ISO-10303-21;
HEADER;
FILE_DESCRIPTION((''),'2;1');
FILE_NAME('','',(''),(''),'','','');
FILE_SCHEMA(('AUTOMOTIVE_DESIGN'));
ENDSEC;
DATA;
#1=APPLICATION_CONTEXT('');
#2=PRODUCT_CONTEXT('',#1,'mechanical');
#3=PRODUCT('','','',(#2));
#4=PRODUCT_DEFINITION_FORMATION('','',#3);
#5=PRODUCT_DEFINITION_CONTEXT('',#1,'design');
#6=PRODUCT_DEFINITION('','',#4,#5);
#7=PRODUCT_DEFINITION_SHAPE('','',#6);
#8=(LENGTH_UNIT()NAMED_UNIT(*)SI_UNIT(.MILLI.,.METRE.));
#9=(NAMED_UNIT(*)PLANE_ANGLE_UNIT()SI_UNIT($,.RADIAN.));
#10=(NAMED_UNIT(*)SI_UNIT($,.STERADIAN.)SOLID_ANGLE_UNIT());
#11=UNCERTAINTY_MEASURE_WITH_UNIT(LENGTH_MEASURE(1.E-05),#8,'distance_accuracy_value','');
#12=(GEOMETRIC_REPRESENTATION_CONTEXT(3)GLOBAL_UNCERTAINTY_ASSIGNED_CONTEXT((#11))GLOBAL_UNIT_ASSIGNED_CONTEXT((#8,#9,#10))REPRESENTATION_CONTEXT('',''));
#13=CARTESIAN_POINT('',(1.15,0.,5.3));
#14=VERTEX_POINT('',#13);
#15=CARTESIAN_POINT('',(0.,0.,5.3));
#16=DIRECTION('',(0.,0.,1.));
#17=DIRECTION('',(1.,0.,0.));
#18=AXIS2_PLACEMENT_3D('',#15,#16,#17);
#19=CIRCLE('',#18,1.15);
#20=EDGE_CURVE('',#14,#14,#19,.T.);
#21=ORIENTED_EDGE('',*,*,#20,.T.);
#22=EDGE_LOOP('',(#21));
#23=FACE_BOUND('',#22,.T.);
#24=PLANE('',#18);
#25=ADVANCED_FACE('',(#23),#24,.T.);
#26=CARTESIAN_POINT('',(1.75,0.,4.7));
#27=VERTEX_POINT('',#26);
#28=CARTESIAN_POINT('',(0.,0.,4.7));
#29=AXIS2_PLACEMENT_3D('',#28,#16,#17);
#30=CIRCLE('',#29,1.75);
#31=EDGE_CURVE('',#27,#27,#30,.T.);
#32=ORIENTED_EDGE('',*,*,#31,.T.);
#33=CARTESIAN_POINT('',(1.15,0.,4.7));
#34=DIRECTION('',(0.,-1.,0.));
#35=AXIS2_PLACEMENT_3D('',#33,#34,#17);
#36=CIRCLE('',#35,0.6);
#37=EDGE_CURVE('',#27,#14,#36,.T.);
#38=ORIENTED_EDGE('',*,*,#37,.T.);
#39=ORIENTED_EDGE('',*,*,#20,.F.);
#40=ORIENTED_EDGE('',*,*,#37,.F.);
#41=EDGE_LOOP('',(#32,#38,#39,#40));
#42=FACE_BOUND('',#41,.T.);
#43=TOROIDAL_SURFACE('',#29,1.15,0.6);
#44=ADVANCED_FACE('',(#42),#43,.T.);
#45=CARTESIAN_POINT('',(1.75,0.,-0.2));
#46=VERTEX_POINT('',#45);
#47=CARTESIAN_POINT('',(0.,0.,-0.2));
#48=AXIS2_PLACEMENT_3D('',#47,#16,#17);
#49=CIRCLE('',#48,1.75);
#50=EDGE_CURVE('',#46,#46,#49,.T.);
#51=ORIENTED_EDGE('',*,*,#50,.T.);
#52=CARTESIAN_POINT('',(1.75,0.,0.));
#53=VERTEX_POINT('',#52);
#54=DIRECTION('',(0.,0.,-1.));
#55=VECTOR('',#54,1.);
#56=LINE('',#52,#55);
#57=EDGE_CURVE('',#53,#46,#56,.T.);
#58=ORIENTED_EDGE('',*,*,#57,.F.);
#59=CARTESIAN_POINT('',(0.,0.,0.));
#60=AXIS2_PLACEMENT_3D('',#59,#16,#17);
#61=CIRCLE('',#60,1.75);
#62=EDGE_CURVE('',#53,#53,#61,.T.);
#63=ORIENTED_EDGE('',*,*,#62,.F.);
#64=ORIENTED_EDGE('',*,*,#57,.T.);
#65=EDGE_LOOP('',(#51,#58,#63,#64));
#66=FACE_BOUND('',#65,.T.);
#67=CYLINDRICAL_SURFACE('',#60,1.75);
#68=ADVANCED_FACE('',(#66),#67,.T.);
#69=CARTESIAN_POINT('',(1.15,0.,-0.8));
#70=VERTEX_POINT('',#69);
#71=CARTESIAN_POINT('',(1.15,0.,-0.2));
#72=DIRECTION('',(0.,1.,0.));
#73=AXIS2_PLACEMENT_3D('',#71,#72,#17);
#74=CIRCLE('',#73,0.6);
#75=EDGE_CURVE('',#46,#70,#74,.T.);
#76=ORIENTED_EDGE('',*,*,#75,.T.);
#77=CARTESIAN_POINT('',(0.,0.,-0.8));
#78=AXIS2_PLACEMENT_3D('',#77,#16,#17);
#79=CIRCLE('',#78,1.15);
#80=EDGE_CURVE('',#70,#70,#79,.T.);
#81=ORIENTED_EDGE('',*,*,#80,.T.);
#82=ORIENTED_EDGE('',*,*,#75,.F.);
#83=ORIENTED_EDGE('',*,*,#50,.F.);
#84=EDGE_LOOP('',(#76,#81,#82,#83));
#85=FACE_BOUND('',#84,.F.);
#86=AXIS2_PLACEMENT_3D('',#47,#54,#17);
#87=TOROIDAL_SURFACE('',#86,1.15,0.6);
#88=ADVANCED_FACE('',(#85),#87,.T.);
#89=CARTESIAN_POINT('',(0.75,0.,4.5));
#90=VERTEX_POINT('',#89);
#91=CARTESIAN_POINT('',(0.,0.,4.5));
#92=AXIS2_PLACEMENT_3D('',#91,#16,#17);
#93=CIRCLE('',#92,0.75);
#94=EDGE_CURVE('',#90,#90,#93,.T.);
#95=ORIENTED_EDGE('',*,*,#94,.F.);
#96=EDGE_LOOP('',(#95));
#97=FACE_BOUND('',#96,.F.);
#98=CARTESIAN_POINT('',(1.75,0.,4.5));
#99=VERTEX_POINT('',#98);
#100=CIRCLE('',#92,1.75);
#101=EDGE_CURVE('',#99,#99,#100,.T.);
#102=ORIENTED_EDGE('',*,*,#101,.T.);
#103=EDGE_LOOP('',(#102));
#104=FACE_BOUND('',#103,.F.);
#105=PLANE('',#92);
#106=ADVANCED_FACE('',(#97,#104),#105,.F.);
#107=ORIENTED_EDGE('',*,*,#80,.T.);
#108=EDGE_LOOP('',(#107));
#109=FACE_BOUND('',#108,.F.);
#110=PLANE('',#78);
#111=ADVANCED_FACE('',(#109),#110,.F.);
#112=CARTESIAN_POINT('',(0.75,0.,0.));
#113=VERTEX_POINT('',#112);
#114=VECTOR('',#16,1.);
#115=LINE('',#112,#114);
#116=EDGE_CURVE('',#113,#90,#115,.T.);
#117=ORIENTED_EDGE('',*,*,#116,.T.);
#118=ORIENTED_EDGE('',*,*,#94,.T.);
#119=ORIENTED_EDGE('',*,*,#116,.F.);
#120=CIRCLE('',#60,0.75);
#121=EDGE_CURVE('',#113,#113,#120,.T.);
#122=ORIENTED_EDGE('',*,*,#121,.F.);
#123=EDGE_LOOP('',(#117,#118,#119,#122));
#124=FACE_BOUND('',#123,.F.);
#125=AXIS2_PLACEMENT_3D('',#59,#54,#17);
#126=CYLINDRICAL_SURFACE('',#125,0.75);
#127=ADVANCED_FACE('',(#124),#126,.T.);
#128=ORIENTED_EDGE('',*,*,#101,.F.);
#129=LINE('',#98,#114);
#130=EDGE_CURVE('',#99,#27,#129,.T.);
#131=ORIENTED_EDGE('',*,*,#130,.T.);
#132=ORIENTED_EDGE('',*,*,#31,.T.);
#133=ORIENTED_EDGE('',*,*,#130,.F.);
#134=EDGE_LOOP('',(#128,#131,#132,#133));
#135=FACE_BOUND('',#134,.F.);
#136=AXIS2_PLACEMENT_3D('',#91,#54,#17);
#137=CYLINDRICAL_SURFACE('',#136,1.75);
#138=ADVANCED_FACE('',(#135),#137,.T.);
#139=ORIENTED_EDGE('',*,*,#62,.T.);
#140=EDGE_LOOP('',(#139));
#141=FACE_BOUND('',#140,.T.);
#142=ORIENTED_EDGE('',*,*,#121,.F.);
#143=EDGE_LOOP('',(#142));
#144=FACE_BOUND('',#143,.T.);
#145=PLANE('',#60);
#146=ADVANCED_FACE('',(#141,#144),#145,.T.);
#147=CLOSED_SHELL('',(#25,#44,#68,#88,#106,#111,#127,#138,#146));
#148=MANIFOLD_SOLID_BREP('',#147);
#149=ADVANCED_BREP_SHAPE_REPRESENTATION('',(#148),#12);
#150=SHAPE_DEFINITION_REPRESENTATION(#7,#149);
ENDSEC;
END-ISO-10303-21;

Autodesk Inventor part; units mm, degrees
ref_plane "YZ Plane" through (0, 0, 0) normal (1, 0, 0) x (0, 1, 0)
ref_plane "XZ Plane" through (0, 0, 0) normal (0, 1, 0) x (-1, 0, 0)
ref_plane "XY Plane" through (0, 0, 0) normal (0, 0, 1) x (1, 0, 0)
sketch "Sketch1" plane through (0, 0, 0) normal (0, 0, 1) x (1, 0, 0)
  circle A0 centre (0, 0) radius 0.75
  circle A1 centre (0, 0) radius 1.75
  dimension "d0" = 1.5
  dimension "d3" = 1
extrude "Extrusion1" add sketch "Sketch1" along normal blind 4.5 contours A0
extrude "Extrusion2" add sketch "Sketch1" against normal blind 0.8 contours A0 | A1
sketch "Sketch2" plane through (0, 0, 4.5) normal (0, 0, 1) x (1, 0, 0)
  circle A0 centre (0, 0) radius 1.75 projected
  circle A1 centre (0, 0) radius 0.75 projected
extrude "Extrusion3" add sketch "Sketch2" along normal blind 0.8 contours A0 | A1
fillet "Fillet1" radius 0.6 2 edges at (-1.75, 0, 5.3) (-1.75, 0, -0.8)
properties part number "CNCT_STEEL_Bucket_tooth_mounting_pin" material "Stainless Steel"
